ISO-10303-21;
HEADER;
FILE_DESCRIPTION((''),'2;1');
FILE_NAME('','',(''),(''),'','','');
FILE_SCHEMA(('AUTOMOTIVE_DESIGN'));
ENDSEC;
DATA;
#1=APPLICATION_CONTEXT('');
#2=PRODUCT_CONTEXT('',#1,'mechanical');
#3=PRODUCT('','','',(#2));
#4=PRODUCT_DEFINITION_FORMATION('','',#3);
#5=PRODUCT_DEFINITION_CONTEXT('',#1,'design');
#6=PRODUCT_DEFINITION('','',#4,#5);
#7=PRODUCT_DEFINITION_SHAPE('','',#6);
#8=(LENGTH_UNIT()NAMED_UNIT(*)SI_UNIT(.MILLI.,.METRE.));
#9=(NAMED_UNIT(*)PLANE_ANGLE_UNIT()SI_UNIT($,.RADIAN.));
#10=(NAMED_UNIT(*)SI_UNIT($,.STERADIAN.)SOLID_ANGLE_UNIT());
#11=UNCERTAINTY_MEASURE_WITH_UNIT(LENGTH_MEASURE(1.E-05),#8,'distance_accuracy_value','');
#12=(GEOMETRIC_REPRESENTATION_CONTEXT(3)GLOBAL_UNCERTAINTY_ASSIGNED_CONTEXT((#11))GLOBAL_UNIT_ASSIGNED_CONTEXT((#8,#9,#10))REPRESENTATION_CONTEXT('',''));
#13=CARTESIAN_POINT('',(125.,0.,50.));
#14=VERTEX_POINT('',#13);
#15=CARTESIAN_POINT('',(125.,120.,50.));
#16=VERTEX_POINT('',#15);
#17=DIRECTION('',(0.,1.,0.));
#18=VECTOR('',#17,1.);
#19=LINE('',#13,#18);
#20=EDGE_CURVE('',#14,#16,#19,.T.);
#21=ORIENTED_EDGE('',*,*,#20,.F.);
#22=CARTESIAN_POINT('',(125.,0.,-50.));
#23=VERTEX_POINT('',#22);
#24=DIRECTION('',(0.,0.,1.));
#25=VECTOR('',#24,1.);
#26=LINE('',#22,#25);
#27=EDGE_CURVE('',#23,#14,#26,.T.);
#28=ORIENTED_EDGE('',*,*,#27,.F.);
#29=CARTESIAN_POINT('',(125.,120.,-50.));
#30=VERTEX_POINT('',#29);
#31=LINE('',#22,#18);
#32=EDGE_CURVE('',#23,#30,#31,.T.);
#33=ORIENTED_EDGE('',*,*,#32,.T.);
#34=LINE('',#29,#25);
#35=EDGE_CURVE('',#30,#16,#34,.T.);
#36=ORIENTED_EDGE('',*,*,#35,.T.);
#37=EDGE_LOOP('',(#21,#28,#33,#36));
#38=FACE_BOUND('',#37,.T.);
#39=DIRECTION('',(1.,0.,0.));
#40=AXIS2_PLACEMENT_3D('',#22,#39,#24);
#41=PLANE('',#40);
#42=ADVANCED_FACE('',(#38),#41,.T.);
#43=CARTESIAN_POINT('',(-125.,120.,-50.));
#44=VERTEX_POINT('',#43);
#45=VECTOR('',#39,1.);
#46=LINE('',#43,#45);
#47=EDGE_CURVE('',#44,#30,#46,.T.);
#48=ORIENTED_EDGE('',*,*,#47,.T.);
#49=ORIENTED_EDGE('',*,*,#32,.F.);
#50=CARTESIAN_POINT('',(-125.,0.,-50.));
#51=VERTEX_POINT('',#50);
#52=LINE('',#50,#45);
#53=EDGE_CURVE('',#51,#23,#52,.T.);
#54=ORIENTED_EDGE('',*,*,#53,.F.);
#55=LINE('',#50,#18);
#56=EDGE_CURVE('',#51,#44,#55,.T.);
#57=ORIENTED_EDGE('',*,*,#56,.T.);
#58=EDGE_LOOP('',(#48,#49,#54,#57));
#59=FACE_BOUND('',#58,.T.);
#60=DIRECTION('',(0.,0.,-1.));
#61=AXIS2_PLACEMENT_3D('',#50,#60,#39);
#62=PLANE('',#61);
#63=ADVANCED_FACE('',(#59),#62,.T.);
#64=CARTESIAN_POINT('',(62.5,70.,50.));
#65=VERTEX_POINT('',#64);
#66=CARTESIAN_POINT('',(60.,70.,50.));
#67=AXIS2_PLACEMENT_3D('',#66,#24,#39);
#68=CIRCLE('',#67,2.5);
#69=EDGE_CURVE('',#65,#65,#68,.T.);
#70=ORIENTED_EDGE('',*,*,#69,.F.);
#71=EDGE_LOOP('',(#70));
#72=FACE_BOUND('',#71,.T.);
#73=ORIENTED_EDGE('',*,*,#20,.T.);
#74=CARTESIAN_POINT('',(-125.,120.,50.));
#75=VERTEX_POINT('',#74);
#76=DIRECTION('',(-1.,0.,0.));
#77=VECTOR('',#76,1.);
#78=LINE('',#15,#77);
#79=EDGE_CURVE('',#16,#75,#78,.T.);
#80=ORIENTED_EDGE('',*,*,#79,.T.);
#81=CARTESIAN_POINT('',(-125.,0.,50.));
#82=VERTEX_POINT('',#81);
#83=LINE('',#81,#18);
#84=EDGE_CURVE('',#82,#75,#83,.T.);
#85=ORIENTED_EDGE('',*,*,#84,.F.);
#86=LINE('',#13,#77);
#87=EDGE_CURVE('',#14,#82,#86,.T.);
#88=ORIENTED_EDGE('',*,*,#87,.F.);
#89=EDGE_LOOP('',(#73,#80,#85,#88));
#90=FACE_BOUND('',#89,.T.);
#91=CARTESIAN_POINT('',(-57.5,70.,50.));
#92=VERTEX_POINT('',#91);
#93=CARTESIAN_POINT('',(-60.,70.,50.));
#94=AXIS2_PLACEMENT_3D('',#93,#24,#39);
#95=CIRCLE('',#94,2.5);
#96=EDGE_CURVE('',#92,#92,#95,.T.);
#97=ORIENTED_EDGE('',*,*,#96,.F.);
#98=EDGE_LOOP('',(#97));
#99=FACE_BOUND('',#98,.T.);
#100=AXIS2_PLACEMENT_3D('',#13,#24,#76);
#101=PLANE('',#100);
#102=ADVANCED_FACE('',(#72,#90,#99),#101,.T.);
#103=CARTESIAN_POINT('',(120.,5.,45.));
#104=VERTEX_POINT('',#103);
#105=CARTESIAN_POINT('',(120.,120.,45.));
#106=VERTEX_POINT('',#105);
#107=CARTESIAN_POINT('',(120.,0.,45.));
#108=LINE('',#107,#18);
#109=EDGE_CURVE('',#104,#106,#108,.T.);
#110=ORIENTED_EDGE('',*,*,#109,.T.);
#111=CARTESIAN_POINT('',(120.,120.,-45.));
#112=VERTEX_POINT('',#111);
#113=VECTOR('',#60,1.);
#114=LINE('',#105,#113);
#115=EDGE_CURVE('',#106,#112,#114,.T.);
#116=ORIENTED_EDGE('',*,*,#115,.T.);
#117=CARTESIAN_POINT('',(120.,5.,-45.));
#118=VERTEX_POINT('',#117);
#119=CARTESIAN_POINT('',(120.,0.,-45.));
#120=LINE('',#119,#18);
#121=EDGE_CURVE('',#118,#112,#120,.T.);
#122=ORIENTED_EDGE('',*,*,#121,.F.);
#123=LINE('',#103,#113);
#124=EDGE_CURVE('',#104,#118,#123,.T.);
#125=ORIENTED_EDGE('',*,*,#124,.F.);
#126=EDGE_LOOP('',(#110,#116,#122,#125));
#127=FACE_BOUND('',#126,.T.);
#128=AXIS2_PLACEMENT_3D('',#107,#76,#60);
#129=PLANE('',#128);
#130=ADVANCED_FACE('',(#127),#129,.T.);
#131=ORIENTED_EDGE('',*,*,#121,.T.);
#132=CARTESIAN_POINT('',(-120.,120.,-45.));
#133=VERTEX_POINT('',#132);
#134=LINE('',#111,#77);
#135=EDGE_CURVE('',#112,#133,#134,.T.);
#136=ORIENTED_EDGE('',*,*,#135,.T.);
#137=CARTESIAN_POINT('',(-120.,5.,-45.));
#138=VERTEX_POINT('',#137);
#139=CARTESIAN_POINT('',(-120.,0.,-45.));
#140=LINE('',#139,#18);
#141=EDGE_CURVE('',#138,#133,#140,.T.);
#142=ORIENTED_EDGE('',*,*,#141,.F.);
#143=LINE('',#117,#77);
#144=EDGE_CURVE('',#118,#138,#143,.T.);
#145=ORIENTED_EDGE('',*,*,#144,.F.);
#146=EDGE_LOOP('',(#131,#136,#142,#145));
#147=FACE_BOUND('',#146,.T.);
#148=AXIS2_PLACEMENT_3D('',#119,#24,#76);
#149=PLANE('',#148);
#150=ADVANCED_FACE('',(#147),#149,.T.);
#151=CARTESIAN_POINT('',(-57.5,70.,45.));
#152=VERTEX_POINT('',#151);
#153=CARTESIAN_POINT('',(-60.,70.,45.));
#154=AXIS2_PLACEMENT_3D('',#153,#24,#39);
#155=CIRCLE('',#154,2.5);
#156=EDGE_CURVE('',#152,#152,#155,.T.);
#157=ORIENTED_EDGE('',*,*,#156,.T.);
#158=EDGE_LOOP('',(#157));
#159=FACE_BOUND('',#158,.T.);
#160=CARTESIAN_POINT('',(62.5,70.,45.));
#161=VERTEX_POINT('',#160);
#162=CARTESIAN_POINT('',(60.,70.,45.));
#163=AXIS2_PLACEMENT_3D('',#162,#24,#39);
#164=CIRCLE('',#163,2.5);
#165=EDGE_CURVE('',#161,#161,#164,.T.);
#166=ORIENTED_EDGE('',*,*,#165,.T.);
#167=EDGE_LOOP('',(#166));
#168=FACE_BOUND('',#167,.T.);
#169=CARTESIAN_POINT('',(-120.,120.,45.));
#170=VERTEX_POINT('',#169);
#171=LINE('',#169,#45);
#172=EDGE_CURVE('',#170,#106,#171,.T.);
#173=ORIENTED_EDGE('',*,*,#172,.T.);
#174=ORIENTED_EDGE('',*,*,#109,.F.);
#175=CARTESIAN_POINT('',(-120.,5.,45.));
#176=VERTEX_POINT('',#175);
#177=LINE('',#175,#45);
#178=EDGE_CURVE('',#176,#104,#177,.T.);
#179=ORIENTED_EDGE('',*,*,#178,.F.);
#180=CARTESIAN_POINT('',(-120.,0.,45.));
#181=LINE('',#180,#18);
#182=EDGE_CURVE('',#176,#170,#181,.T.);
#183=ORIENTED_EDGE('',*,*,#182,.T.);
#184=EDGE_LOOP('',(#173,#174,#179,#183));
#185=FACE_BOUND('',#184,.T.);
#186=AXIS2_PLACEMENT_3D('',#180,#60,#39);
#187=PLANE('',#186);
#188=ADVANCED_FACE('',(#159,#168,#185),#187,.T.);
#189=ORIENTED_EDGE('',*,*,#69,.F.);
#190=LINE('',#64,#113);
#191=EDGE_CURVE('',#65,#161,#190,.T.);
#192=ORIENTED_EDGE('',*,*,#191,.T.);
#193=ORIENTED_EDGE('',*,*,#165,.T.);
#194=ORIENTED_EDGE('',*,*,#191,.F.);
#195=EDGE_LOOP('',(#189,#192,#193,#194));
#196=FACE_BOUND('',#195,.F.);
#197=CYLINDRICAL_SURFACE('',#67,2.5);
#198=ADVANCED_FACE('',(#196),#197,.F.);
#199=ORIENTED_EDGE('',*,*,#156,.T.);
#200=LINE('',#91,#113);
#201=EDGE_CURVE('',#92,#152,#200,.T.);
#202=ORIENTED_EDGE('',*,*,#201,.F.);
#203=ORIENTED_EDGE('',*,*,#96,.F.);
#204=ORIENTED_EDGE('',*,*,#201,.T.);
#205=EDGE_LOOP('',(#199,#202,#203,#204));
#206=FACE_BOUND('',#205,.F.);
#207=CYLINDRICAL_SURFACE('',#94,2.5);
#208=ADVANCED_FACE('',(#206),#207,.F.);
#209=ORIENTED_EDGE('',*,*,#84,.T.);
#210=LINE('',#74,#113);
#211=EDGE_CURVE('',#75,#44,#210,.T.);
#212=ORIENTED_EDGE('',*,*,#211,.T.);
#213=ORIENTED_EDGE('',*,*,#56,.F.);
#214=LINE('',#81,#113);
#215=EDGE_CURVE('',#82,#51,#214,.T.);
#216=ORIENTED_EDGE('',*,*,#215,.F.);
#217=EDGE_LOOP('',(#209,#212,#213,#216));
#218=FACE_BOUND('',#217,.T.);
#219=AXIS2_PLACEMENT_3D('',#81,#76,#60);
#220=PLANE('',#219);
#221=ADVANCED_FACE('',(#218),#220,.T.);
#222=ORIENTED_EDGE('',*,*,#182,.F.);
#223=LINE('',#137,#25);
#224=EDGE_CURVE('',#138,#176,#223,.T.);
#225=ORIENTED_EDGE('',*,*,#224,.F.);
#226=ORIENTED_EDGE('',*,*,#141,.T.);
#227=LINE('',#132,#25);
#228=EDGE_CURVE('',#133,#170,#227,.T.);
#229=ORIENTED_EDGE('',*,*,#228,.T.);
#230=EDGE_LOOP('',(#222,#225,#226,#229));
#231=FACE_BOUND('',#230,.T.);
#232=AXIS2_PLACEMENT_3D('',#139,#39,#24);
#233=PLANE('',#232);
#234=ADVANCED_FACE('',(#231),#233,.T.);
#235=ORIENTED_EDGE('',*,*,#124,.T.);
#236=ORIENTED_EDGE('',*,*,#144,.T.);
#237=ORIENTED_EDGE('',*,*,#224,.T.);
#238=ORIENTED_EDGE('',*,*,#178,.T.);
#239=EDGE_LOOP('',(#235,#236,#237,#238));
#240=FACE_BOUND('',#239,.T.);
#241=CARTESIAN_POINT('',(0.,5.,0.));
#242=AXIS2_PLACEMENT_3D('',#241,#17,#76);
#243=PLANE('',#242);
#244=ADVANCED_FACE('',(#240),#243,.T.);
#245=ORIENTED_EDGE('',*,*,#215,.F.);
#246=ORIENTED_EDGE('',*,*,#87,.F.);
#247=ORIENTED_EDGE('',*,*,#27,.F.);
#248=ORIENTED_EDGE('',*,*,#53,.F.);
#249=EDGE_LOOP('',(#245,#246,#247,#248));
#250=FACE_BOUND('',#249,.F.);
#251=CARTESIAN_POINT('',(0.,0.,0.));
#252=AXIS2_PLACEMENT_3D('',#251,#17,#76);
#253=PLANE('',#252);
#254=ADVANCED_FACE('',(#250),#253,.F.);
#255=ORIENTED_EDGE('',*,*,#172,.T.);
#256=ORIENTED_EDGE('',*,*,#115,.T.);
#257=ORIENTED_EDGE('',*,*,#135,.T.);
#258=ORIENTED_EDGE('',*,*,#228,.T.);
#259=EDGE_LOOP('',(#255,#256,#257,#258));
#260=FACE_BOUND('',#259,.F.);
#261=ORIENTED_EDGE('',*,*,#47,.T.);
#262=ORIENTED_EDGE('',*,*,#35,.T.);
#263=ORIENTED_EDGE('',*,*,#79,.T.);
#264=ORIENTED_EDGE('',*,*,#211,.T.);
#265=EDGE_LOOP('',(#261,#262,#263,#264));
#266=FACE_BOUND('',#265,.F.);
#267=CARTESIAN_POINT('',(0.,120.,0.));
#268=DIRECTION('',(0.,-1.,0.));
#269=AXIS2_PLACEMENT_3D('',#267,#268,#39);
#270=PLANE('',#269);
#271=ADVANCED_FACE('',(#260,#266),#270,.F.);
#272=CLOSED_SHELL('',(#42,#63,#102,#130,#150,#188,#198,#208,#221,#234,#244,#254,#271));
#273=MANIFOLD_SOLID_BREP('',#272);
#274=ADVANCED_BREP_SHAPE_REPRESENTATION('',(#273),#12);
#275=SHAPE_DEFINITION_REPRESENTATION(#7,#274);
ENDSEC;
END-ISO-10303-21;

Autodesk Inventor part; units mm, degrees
ref_plane "YZ Plane" through (0, 0, 0) normal (1, 0, 0) x (0, 1, 0)
ref_plane "XZ Plane" through (0, 0, 0) normal (0, 1, 0) x (-1, 0, 0)
ref_plane "XY Plane" through (0, 0, 0) normal (0, 0, 1) x (1, 0, 0)
sketch "Sketch1" plane through (0, 0, 0) normal (0, 1, 0) x (-1, 0, 0)
  line L0 (125, 50) -> (-125, 50)
  line L1 (-125, 50) -> (-125, -50)
  line L2 (-125, -50) -> (125, -50)
  line L3 (125, -50) -> (125, 50)
  line L4 (120, 45) -> (-120, 45)
  line L5 (-120, 45) -> (-120, -45)
  line L6 (-120, -45) -> (120, -45)
  line L7 (120, -45) -> (120, 45)
  point P0 (0, 0)
  dimension "d0" = 250
  dimension "d1" = 100
  dimension "d2" = 50
  dimension "d3" = 125
  dimension "d4" = 5
  dimension "d5" = 5
  dimension "d6" = 5
  dimension "d7" = 5
extrude "Extrusion1" add sketch "Sketch1" along normal blind 5 contours L7 L6 L5 L4
sketch "Sketch2" plane through (0, 0, 0) normal (0, -1, 0) x (1, 0, 0)
  line L0 (-125, -50) -> (125, -50)
  line L1 (125, -50) -> (125, 50)
  line L2 (125, 50) -> (-125, 50)
  line L3 (-125, 50) -> (-125, -50)
  line L4 (-120, -45) -> (-120, 45) projected
  line L5 (120, 45) -> (120, -45) projected
  line L6 (-120, 45) -> (120, 45) projected
  line L7 (120, -45) -> (-120, -45) projected
  line L8 (-120, -45) -> (-120, 45) projected
  line L9 (120, 45) -> (120, -45) projected
  line L10 (-120, -45) -> (120, -45)
  line L11 (120, -45) -> (120, 45)
  line L12 (120, 45) -> (-120, 45)
  line L13 (-120, 45) -> (-120, -45)
  point P0 (0, 0)
  dimension "d10" = 5
  dimension "d11" = 5
  dimension "d12" = 5
  dimension "d13" = 5
extrude "Extrusion2" add sketch "Sketch2" against normal blind 120
sketch "Sketch4" plane through (-125, 0, 50) normal (0, 0, 1) x (1, 0, 0)
  circle A0 centre (65, 70) radius 2.5
  circle A1 centre (185, 70) radius 2.5
  line L0 (250, 0) -> (0, 0) projected
  line L1 (250, 0) -> (250, 120) projected
  point P0 (125, 0)
  point P1 (250, 60)
  dimension "d16" = 5
  dimension "d17" = 5
  dimension "d18" = 70
  dimension "d19" = 70
  dimension "d20" = 120
  dimension "d21" = 65
extrude "Extrusion3" cut sketch "Sketch4" against normal blind 5
properties part number "Team29_BaseofBox"
